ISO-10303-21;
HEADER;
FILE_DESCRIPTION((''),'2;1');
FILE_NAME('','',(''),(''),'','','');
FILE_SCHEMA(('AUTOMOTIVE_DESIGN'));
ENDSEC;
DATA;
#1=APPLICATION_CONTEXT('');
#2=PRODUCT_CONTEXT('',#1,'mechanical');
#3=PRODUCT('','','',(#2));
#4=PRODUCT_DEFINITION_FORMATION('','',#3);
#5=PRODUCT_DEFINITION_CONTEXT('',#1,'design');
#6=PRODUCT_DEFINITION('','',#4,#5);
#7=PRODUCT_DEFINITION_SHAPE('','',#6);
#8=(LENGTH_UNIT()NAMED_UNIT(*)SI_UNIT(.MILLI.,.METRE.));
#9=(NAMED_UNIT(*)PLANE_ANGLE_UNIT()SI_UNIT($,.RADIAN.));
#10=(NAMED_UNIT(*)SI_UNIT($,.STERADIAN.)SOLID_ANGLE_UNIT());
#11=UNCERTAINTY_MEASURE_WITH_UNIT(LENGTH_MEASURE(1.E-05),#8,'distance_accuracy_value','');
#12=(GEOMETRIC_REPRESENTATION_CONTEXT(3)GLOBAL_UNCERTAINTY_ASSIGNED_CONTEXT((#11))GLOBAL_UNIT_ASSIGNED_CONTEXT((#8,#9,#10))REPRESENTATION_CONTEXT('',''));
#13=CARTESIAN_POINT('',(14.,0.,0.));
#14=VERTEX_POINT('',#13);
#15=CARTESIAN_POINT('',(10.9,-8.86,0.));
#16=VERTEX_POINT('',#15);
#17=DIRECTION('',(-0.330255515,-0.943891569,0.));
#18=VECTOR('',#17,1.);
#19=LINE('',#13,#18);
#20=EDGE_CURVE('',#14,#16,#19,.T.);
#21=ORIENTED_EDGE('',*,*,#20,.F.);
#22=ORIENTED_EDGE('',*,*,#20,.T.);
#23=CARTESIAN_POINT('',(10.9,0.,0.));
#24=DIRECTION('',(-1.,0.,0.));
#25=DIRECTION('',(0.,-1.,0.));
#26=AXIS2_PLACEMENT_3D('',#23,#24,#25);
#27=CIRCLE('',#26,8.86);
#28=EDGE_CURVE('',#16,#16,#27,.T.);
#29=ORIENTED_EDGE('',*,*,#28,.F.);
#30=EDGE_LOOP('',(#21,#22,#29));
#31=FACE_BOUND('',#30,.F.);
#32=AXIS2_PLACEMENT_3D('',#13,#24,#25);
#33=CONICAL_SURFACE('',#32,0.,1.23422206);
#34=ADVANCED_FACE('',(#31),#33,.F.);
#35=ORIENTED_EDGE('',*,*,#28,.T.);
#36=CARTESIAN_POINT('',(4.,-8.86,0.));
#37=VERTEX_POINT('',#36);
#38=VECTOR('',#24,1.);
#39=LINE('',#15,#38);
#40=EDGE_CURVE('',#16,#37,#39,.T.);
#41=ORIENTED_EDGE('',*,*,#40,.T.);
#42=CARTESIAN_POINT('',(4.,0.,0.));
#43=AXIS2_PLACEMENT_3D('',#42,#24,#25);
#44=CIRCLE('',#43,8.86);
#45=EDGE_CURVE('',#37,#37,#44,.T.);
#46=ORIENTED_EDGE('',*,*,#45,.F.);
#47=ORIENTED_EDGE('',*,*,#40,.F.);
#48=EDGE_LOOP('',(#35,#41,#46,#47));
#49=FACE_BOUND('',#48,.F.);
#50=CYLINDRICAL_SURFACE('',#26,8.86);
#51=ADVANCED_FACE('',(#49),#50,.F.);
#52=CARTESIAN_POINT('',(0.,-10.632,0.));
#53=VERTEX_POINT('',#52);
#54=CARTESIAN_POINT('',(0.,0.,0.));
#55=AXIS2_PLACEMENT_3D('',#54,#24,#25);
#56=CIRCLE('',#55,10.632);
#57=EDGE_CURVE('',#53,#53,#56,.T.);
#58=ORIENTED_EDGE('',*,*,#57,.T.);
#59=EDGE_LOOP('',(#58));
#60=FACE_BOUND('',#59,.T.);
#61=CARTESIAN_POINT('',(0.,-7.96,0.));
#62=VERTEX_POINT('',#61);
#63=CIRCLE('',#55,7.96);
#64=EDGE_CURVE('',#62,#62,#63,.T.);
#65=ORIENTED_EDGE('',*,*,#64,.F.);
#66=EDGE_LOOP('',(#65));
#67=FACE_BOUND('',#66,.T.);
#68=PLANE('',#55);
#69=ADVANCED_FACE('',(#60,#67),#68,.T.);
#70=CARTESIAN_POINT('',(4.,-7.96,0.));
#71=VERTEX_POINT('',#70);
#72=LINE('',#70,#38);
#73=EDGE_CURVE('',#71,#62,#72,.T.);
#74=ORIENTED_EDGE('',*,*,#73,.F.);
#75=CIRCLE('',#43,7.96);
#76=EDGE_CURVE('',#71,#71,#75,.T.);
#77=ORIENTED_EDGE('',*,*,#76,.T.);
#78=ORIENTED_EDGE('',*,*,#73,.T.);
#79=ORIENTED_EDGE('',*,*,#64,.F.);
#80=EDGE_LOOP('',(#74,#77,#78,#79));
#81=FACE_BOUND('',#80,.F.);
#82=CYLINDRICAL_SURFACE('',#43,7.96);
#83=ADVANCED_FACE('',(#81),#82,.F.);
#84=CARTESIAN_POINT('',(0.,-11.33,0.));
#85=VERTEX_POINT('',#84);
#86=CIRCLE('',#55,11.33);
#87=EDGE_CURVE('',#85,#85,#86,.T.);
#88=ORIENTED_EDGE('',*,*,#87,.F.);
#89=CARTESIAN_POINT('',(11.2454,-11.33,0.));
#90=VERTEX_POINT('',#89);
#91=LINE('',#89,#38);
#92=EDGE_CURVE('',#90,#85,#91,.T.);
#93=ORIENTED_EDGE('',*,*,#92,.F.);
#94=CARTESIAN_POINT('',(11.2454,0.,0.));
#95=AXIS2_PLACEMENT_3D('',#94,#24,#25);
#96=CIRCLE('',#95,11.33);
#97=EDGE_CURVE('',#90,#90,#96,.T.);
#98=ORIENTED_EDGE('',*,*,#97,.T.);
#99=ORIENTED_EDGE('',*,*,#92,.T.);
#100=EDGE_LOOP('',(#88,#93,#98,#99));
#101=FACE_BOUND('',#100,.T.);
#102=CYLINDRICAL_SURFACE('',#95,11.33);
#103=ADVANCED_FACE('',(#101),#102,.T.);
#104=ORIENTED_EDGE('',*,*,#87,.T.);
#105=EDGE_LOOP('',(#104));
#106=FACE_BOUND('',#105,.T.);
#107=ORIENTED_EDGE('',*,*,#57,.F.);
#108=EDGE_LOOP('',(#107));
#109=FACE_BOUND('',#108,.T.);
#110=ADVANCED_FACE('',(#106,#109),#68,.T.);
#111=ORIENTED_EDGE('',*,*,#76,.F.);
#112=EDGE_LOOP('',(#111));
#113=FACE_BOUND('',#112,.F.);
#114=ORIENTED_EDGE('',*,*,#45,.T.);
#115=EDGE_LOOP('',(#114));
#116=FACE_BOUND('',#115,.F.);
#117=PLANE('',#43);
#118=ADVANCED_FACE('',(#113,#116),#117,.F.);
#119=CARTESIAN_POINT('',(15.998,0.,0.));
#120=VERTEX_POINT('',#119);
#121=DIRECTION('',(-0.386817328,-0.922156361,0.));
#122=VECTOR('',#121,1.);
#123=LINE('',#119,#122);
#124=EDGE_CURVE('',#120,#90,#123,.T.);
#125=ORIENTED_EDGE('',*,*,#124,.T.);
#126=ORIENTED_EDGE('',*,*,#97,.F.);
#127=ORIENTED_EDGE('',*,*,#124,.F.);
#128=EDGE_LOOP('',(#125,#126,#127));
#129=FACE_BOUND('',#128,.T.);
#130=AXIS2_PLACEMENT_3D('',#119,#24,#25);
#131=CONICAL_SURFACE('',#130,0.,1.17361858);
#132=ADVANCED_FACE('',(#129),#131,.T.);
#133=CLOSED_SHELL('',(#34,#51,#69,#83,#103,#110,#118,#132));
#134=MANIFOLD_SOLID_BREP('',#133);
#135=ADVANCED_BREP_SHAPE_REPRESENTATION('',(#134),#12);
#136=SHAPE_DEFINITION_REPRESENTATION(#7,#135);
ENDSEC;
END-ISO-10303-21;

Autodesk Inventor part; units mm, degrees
ref_plane "YZ Plane" through (0, 0, 0) normal (1, 0, 0) x (0, 1, 0)
ref_plane "XZ Plane" through (0, 0, 0) normal (0, 1, 0) x (-1, 0, 0)
ref_plane "XY Plane" through (0, 0, 0) normal (0, 0, 1) x (1, 0, 0)
sketch "Sketch1" plane through (0, 0, 0) normal (0, 0, 1) x (1, 0, 0)
  line L0 (16.8, 0) -> (-2.8, 0)
  line L1 (0, -10.632) -> (0, 1.772)
  line L2 (14, 0) -> (10.9, -8.86)
  line L3 (10.9, -8.86) -> (4, -8.86)
  line L4 (4, -8.86) -> (4, -7.96)
  line L5 (4, -7.96) -> (0, -7.96)
  line L6 (14, 0) -> (9, 0)
  line L7 (0, -7.96) -> (0, -2.8)
  line L8 (9, 0) -> (9, -2.8)
  line L9 (9, -2.8) -> (0, -2.8)
  line L10 (-6.72, 0) -> (20.72, 0) projected
  line L11 (14, 0) -> (15.998, 0)
  line L12 (15.998, 0) -> (11.2454, -11.33)
  line L13 (11.2454, -11.33) -> (0, -11.33)
  line L14 (0, -11.33) -> (0, -7.96)
  line L15 (0, -11.33) -> (0, -7.96)
  point P0 (0, 0)
  point P1 (0, 0)
  dimension "d0" = 5.6
  dimension "d1" = 14
  dimension "d2" = 17.72
  dimension "d3" = 15.92
  dimension "d4" = 9
  dimension "d5" = 4
  dimension "d6" = 3.1
  dimension "d7" = 6.9
  dimension "d8" = 22.66
revolve "Revolution1" add sketch "Sketch1" angle 360 about axis through (16.8, 0, 0) along (-1, 0, 0) contours L12 L13 L14 L1 L5 L4 L3 L2 L0
properties part number "plunger"
